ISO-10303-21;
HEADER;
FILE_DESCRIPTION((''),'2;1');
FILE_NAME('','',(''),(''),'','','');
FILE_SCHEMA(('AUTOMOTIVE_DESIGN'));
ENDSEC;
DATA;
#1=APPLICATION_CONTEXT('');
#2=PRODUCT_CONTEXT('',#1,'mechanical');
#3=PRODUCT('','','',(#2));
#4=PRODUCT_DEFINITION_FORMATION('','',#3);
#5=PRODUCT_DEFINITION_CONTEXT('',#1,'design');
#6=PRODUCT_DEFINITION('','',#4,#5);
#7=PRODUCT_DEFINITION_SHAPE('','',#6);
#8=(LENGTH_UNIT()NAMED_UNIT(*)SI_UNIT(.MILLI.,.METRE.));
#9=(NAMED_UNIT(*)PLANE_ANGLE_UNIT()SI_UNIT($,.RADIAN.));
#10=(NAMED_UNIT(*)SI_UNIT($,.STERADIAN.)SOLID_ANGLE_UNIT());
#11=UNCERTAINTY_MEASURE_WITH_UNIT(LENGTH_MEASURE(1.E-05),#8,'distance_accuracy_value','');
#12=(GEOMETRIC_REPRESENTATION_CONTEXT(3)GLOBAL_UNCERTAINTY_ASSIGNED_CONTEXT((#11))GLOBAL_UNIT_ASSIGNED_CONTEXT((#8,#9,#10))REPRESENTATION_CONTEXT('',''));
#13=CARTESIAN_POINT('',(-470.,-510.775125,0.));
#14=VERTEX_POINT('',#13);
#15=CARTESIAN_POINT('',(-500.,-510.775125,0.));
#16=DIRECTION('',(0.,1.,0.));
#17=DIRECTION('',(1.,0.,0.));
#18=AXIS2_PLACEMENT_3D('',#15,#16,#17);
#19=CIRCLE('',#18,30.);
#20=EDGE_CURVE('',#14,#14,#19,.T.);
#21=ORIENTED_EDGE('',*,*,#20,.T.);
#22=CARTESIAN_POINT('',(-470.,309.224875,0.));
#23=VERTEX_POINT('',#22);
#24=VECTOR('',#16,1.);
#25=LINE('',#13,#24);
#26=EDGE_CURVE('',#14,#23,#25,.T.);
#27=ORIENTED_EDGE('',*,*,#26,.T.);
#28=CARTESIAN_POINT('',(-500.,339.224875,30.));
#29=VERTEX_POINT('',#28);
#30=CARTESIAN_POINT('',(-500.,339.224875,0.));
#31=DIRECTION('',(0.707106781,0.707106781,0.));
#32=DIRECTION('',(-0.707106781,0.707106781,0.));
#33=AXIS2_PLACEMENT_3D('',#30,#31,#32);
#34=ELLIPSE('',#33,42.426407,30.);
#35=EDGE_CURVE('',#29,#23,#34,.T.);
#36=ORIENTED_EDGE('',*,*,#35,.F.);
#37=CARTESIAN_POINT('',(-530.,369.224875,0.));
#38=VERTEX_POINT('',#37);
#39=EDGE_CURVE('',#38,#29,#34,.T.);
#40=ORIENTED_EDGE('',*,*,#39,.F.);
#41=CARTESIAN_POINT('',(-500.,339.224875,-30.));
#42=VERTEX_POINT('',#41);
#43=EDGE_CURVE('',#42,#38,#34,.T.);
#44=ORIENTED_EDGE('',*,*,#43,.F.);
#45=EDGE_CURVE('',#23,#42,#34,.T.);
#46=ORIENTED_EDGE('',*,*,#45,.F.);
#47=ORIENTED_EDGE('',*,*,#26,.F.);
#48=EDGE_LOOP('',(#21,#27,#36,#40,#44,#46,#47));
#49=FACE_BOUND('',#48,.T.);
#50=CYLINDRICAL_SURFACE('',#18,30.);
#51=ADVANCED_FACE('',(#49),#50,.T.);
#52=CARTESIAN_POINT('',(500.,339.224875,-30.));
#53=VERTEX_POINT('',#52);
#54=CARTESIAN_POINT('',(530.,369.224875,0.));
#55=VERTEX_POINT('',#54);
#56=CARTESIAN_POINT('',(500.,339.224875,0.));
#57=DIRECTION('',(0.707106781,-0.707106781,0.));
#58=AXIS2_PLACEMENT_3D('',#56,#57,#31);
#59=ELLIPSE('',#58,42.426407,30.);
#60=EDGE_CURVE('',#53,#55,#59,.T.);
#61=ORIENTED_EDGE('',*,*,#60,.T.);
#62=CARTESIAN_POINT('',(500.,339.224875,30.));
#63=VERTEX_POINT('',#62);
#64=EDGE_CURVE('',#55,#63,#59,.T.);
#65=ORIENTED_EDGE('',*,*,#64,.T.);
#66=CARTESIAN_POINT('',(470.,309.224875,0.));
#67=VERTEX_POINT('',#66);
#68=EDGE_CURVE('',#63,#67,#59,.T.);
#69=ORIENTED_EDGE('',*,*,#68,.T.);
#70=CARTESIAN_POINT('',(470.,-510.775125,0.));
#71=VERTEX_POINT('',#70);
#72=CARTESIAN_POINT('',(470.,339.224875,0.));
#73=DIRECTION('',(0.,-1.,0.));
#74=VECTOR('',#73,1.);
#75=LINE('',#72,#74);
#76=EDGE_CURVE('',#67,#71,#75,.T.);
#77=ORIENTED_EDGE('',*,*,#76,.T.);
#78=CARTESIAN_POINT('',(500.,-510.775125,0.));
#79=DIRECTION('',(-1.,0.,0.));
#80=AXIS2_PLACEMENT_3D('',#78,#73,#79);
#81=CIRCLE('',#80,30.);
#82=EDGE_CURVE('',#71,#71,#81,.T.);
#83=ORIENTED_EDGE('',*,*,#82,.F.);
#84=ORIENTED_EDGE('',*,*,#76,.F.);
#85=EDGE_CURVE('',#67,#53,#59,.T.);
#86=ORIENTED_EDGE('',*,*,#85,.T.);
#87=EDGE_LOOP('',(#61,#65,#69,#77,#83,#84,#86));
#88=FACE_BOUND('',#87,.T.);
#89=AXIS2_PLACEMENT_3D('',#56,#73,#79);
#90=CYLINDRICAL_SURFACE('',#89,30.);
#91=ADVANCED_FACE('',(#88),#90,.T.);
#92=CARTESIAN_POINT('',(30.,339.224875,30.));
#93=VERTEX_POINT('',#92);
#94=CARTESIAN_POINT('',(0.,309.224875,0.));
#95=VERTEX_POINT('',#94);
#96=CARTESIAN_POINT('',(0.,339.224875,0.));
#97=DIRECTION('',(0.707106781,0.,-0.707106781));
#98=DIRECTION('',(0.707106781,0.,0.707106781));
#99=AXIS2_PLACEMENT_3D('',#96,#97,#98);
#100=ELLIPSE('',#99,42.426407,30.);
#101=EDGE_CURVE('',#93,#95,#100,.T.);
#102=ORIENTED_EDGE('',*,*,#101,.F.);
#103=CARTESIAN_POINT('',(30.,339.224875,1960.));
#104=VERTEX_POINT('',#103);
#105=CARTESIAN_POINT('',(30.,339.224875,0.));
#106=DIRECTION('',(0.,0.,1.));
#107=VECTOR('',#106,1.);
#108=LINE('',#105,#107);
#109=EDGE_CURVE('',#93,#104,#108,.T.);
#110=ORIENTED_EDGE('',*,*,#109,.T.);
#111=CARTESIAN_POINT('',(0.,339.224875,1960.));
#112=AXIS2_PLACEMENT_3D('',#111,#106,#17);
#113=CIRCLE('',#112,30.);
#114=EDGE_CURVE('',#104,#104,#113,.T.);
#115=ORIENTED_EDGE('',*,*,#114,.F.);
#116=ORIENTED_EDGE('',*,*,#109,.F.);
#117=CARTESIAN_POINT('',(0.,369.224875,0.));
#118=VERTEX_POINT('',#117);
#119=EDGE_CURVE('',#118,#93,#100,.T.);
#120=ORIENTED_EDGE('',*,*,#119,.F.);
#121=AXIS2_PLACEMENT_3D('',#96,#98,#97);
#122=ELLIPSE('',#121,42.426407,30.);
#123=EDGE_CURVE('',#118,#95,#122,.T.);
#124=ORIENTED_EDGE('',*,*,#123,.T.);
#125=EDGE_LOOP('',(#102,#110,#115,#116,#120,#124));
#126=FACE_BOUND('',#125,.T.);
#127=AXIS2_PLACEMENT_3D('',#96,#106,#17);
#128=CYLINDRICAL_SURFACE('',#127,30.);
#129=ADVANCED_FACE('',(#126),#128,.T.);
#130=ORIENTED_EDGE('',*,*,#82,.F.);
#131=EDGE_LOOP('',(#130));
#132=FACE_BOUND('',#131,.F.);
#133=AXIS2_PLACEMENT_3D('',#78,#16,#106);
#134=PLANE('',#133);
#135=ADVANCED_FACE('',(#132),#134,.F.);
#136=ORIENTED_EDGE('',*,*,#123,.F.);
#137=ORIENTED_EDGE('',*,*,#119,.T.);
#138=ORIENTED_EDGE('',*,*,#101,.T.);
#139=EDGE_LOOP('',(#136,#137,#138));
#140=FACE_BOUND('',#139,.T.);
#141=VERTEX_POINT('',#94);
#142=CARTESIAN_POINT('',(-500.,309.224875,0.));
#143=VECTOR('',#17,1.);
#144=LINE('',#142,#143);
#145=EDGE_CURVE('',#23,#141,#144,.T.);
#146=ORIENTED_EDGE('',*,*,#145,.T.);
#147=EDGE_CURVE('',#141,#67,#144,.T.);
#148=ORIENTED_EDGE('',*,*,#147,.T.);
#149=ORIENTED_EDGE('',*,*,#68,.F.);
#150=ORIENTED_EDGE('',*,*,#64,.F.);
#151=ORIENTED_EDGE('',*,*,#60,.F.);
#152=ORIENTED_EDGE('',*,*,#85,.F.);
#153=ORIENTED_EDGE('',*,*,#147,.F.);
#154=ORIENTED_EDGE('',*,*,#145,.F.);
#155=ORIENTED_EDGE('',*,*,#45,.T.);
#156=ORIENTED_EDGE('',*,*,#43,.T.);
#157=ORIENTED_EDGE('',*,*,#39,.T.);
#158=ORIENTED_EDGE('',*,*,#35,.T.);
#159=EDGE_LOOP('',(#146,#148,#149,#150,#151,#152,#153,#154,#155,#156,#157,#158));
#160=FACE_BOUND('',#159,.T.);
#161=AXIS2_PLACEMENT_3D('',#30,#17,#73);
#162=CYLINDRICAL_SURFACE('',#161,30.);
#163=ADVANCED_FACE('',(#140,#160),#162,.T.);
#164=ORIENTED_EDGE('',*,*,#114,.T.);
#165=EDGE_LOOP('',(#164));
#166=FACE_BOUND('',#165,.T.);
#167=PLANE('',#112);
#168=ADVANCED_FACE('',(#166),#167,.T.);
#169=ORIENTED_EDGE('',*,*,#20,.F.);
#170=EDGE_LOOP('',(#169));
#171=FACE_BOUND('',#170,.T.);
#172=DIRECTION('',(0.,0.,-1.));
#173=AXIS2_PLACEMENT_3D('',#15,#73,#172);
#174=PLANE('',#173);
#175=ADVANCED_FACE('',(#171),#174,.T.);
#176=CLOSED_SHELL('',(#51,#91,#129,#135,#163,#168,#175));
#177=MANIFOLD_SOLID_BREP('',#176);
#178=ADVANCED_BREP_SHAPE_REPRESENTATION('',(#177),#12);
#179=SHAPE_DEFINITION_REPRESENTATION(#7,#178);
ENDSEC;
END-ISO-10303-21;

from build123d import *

# Parameters (mm, degrees)
F2_R = 30
F4_R = 30


with BuildPart() as f5:
    # F5: sweep along a path in F0
    with BuildLine(Plane.XY) as f5_path:
        Line((-500, -510.7751250267), (-500, 339.2248749733))
        Line((-500, 339.2248749733), (500, 339.2248749733))
        Line((500, 339.2248749733), (500, -510.7751250267))
    # F2 (on plane+point) → F5 (sweep)
    with BuildSketch(Plane.XZ.offset(510.7751250267)):
        with Locations((-500, 0)):
            Circle(F2_R)
    sweep(path=f5_path.line, transition=Transition.RIGHT)

    # F8: sweep along a path in F7
    with BuildLine(Plane.XZ.offset(-339.2248749733)) as f8_path:
        Line((0, 0), (0, 1960))
    # F4 (on plane+point) → F8 (sweep)
    with BuildSketch(Plane.XY):
        with Locations((0, 339.2248749733)):
            Circle(F4_R)
    sweep(path=f8_path.line)


solid = f5.part
